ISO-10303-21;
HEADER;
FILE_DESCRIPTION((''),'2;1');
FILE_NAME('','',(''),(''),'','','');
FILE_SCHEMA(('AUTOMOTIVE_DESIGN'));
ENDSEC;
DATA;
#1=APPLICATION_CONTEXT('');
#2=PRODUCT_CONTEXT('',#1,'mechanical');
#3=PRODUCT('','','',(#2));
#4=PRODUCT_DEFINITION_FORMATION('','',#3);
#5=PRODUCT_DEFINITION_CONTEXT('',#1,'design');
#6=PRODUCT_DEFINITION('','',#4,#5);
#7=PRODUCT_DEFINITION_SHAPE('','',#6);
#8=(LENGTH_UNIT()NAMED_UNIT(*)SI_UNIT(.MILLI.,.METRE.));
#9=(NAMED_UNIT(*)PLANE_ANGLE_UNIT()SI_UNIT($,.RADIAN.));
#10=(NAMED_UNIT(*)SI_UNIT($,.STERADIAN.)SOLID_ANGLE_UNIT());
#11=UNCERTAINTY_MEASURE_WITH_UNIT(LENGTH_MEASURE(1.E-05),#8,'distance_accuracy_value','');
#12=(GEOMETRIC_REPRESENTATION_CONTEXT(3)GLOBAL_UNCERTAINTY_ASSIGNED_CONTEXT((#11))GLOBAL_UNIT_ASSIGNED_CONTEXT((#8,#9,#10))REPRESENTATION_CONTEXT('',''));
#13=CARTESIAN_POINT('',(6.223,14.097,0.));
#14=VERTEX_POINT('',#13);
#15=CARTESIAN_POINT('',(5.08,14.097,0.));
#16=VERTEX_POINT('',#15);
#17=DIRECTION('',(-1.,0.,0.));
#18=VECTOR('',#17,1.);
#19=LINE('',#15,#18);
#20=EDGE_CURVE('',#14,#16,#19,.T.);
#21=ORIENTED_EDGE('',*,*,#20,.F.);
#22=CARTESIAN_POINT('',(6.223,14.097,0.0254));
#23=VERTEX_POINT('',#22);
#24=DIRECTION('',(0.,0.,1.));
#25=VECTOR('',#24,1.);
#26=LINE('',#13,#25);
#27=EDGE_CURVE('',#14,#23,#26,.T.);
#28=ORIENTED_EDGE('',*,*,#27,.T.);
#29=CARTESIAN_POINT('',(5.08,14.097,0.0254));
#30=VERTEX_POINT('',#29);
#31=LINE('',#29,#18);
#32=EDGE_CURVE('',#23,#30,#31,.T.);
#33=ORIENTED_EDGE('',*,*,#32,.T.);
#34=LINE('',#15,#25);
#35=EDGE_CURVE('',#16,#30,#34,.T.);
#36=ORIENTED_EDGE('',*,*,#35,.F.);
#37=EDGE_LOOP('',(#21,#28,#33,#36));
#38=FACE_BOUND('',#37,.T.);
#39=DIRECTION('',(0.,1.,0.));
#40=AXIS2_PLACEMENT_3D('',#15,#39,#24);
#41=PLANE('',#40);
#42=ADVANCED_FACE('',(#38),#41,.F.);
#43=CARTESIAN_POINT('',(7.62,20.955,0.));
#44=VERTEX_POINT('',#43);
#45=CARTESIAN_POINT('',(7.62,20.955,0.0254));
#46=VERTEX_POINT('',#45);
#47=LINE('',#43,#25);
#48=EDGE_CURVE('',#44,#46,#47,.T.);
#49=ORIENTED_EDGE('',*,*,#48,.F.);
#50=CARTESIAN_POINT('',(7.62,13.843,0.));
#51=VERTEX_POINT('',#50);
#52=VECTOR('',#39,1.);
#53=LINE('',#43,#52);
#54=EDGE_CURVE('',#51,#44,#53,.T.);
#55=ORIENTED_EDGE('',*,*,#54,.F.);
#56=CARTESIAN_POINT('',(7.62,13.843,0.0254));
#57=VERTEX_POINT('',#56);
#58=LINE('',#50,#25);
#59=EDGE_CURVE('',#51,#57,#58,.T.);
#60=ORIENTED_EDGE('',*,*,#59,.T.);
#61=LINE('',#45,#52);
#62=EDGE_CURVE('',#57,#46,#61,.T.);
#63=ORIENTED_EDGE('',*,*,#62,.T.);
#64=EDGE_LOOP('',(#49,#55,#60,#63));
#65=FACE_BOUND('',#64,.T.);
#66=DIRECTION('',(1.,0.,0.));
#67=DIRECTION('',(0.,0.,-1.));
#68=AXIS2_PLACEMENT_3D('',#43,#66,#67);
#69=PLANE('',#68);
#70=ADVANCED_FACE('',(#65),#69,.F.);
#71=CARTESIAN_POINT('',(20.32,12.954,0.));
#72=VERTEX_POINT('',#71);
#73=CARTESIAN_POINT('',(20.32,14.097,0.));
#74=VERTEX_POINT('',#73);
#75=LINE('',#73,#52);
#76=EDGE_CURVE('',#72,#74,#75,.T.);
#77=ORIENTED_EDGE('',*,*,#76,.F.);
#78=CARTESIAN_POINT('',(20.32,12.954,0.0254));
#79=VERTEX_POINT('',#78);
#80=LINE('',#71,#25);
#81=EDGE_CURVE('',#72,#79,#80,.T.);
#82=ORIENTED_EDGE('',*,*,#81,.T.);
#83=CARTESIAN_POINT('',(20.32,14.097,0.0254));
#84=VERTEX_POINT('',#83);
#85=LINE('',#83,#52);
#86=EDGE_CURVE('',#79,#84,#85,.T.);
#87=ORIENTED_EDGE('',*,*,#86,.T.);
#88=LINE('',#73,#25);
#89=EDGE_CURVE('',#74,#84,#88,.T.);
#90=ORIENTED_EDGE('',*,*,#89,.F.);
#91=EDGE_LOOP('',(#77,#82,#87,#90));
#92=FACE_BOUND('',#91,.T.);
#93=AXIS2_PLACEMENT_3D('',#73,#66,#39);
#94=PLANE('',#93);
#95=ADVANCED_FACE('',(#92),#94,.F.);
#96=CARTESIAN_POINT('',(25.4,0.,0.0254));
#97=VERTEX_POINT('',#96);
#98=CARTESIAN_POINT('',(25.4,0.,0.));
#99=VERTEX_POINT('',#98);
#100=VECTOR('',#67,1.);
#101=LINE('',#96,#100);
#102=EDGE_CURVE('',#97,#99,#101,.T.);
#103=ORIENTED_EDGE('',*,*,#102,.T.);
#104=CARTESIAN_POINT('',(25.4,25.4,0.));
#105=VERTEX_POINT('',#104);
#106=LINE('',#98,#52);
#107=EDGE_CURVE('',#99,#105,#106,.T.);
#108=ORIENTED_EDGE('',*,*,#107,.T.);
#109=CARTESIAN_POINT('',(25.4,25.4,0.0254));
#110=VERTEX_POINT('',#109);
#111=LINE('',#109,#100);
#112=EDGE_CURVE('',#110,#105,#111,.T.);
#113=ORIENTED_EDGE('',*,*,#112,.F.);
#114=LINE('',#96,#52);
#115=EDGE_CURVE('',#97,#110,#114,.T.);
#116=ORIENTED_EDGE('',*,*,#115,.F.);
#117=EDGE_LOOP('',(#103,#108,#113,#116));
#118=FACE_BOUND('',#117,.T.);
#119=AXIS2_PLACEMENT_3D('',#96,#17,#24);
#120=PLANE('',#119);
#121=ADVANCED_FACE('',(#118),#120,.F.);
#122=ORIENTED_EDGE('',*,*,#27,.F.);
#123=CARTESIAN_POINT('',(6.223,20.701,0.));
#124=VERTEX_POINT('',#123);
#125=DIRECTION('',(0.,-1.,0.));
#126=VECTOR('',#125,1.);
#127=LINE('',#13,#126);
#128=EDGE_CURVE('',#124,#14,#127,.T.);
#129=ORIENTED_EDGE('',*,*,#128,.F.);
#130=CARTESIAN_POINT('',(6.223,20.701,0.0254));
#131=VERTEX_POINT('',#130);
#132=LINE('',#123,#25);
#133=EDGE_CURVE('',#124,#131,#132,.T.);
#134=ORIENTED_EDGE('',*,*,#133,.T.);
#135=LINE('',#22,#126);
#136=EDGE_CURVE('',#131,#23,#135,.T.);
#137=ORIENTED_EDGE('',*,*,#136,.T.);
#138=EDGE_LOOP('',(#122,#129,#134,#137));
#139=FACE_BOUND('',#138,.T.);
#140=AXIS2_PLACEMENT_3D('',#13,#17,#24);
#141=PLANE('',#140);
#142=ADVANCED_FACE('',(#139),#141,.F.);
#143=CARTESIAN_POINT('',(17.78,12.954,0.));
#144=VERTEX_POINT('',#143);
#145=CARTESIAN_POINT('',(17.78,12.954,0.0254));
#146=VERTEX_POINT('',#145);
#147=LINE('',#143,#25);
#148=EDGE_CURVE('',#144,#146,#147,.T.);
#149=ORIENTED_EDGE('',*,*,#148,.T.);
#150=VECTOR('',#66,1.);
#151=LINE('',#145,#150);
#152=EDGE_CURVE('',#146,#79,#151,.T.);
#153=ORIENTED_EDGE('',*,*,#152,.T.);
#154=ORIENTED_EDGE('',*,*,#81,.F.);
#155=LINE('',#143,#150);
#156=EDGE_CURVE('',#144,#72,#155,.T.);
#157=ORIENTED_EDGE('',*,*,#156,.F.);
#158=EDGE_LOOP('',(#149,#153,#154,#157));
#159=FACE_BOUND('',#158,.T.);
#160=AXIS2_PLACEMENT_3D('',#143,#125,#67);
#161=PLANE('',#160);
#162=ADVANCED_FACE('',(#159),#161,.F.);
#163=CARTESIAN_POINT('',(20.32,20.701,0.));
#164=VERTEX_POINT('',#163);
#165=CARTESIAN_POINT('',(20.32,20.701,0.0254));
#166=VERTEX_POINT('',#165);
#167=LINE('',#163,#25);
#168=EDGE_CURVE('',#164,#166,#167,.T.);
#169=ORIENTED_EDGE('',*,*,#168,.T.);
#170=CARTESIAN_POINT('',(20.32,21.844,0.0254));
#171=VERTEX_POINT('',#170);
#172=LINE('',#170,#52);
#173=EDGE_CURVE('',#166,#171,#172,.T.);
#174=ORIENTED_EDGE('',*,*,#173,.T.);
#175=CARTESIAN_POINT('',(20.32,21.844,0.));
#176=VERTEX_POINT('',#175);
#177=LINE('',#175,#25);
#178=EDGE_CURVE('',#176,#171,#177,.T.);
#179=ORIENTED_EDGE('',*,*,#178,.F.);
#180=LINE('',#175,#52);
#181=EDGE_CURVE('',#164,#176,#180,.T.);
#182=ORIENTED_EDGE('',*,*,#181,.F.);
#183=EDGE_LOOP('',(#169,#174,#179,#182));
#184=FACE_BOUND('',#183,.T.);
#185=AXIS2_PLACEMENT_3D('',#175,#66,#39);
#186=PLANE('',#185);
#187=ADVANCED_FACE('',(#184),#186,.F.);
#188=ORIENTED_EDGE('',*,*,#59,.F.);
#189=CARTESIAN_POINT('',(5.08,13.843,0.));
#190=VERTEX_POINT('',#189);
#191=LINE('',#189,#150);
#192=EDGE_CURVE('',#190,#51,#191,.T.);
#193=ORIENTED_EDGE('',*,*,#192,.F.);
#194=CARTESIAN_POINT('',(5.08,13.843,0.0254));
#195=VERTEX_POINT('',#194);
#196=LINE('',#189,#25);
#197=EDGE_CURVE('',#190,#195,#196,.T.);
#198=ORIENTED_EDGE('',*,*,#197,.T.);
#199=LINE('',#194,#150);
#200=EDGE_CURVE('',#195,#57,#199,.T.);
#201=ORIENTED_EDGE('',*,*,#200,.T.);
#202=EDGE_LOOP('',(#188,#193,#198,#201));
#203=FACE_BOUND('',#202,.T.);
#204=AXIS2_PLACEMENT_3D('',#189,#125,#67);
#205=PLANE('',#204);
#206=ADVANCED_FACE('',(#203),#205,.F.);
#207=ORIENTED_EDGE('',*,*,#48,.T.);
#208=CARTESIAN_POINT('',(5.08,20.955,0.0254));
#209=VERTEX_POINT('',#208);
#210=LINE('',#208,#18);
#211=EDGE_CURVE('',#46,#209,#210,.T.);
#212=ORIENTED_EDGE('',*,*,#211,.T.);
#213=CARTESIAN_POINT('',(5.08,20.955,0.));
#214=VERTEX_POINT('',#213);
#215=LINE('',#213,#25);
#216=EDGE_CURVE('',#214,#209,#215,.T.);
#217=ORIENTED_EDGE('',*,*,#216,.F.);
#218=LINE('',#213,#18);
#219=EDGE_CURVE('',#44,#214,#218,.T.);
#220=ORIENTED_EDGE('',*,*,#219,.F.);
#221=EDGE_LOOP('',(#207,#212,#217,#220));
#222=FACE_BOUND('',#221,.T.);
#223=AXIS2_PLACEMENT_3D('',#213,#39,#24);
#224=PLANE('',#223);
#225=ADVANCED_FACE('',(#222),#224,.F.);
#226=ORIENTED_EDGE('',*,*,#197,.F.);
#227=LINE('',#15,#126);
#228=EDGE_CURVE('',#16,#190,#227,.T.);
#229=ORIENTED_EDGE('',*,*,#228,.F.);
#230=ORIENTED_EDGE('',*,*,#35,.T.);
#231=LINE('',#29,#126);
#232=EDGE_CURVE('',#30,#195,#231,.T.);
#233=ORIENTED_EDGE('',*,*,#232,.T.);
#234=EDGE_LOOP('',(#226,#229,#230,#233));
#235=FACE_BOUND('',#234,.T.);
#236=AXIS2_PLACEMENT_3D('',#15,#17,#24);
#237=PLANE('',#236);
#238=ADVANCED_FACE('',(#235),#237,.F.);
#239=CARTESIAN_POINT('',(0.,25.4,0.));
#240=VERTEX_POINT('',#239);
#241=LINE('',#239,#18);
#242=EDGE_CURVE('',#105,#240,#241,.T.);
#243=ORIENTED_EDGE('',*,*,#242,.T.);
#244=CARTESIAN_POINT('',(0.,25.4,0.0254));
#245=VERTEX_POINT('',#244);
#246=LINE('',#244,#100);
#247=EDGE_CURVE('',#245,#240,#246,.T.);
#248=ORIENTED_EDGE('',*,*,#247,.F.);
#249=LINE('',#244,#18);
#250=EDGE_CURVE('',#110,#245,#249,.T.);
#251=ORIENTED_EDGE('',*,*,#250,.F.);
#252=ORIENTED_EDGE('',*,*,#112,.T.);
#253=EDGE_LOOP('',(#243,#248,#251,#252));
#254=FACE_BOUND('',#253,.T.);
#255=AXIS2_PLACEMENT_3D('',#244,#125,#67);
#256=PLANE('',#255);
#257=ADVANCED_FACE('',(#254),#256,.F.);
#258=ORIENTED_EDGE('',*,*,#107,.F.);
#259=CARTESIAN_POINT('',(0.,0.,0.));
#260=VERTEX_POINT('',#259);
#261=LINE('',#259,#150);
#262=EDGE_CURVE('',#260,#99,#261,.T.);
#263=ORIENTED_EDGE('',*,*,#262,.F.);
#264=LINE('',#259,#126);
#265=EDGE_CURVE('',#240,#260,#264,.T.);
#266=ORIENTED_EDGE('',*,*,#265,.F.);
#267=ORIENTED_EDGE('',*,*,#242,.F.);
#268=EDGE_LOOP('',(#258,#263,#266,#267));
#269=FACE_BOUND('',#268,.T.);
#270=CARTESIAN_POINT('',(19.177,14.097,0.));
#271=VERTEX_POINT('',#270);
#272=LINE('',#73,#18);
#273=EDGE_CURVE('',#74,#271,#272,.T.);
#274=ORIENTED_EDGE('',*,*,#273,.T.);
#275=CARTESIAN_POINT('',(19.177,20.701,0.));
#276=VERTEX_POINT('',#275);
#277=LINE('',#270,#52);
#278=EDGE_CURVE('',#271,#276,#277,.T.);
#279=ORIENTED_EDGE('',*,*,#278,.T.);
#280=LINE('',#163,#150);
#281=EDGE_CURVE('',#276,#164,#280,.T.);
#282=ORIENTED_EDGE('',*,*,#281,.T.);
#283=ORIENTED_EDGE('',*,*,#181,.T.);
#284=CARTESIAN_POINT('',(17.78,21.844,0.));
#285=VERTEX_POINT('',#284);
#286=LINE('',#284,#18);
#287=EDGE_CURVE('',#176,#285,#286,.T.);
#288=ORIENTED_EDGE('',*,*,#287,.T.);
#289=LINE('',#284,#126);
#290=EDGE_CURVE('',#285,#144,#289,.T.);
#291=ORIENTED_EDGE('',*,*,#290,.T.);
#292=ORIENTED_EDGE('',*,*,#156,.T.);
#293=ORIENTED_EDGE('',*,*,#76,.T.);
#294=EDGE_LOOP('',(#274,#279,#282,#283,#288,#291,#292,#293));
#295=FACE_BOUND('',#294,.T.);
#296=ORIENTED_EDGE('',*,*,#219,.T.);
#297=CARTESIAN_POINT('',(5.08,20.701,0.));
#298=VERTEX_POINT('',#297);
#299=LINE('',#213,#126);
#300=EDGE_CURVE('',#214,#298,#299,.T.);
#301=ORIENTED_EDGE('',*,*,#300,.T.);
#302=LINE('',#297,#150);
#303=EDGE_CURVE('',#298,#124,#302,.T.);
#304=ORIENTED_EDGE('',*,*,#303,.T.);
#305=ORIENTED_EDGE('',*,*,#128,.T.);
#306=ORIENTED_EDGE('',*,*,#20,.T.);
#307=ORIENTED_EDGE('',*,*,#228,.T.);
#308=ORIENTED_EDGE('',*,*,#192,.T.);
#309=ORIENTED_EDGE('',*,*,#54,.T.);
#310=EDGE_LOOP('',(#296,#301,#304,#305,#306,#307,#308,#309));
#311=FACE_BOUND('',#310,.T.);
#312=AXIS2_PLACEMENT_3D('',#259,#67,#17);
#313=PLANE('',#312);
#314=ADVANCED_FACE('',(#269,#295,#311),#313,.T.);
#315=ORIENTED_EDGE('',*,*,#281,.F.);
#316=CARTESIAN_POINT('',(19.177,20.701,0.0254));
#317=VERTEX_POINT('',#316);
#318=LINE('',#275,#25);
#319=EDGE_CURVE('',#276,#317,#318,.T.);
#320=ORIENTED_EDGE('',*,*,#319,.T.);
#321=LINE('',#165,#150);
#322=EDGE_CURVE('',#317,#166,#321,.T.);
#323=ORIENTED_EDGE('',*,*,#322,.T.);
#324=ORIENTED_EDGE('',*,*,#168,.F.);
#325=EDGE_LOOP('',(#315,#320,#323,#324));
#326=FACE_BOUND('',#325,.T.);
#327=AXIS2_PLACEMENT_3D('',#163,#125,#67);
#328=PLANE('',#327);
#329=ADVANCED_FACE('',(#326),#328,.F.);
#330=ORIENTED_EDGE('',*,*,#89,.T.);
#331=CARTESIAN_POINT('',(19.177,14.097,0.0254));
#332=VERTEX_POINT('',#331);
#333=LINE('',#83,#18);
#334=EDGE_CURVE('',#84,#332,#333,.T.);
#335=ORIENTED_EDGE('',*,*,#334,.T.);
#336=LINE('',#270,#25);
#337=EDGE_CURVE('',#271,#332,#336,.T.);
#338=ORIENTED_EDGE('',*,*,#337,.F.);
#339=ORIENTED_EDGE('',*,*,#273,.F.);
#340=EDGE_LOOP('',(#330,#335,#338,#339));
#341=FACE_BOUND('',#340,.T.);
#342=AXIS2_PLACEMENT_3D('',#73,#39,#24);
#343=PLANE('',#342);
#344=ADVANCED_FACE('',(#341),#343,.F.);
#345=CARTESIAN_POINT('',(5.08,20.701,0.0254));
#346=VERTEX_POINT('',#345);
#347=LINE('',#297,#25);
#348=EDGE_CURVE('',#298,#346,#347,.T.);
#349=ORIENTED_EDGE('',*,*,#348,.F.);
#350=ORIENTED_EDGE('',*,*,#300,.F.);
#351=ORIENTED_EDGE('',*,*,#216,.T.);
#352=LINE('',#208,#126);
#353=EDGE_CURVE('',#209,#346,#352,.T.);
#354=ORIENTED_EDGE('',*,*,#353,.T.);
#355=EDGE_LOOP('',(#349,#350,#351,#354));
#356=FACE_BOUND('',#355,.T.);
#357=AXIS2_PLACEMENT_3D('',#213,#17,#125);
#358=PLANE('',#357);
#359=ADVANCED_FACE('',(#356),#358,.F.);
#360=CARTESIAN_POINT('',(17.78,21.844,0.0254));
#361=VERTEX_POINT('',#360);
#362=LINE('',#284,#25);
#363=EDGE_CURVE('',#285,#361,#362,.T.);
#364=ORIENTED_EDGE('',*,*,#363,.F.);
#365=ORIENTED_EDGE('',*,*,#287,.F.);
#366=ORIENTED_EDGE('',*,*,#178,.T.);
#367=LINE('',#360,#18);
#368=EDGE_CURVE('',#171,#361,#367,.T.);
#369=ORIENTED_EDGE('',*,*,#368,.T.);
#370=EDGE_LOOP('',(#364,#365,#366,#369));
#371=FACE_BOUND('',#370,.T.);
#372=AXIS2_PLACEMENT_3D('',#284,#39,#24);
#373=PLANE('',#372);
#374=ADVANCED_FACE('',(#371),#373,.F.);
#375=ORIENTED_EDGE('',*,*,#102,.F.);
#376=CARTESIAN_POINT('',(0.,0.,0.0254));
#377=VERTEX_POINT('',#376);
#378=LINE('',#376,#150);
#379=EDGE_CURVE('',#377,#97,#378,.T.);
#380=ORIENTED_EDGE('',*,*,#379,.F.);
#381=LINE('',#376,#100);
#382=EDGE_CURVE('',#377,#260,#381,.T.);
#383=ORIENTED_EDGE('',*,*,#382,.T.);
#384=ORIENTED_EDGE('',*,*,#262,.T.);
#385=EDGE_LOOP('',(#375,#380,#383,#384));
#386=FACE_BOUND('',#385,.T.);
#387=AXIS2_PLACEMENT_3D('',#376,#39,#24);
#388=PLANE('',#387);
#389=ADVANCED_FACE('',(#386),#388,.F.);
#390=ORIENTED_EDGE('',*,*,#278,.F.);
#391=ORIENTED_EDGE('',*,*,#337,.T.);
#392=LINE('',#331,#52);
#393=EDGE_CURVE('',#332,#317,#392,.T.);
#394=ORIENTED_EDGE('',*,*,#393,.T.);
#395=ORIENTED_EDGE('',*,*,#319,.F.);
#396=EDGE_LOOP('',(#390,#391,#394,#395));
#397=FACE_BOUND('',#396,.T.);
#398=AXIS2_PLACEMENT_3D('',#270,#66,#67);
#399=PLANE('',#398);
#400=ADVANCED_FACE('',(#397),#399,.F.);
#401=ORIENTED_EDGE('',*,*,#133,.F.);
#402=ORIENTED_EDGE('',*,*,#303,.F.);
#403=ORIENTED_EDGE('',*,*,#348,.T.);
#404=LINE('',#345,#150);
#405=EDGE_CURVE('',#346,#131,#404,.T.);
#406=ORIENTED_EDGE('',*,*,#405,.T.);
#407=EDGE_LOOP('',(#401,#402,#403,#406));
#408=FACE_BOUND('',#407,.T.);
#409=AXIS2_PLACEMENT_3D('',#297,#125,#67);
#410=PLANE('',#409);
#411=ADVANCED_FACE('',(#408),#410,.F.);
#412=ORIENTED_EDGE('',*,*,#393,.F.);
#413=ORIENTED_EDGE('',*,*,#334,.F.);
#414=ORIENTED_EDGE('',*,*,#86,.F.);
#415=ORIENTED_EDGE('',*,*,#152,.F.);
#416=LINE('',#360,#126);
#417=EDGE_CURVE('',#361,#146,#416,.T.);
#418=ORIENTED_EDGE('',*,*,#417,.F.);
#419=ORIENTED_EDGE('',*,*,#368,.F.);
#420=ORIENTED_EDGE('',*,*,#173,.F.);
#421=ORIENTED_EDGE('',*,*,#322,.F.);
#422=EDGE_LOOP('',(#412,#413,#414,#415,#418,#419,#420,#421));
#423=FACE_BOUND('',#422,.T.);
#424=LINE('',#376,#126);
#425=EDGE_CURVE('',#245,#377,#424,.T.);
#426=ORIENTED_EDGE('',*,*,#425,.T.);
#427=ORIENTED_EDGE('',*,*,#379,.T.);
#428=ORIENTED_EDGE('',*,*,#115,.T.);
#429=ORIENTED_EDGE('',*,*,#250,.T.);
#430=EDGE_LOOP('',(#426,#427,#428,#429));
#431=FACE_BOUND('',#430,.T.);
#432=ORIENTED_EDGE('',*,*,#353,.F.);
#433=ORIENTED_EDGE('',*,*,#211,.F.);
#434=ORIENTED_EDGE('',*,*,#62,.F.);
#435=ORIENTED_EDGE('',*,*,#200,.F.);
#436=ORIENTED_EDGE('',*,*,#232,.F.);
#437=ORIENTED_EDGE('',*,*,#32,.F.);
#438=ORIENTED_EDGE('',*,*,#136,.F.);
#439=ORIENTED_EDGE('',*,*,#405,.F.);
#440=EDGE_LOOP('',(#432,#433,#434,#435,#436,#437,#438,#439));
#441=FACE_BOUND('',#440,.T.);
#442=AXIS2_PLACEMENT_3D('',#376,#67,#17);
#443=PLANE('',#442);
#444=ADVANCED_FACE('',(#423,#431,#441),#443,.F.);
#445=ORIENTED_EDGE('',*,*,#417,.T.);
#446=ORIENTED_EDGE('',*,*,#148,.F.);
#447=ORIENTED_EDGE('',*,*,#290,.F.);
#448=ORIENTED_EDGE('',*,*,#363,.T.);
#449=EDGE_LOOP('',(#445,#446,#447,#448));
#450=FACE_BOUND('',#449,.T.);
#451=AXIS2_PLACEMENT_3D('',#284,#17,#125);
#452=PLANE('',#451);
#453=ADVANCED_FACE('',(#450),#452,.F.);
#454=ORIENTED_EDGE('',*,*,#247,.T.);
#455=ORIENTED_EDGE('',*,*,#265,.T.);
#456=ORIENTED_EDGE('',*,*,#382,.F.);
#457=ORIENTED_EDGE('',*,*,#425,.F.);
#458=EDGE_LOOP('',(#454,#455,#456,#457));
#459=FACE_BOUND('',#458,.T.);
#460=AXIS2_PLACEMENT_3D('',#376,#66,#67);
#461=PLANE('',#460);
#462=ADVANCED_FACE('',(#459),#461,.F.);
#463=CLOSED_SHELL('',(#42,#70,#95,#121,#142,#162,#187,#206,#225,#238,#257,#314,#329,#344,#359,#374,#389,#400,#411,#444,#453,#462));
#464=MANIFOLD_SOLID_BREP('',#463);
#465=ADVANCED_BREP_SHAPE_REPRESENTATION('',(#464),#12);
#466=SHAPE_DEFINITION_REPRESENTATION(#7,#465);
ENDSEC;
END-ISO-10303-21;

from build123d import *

# Parameters (mm, degrees)
SKETCH1_W           = 25.4
SKETCH1_H           = 25.4
BOSS_EXTRUDE1_DEPTH = 0.0254
CUT_EXTRUDE1_DEPTH  = 36.921033465


with BuildPart() as part:
    # Sketch1 → Boss-Extrude1 (new body)
    with BuildSketch(Plane.XY):
        with Locations((12.7, 12.7)):
            Rectangle(SKETCH1_W, SKETCH1_H)
    extrude(amount=BOSS_EXTRUDE1_DEPTH)

    # Sketch4 → Cut-Extrude1 (cut, through all)
    with BuildSketch(Plane.XY.offset(0.0254)):
        Polygon((5.08, 20.955), (7.62, 20.955), (7.62, 13.843), (5.08, 13.843), (5.08, 14.097), (6.223, 14.097), (6.223, 20.701), (5.08, 20.701), align=None)
        Polygon((17.78, 21.844), (20.32, 21.844), (20.32, 20.701), (19.177, 20.701), (19.177, 14.097), (20.32, 14.097), (20.32, 12.954), (17.78, 12.954), align=None)
    extrude(amount=-CUT_EXTRUDE1_DEPTH, mode=Mode.SUBTRACT)


solid = part.part
